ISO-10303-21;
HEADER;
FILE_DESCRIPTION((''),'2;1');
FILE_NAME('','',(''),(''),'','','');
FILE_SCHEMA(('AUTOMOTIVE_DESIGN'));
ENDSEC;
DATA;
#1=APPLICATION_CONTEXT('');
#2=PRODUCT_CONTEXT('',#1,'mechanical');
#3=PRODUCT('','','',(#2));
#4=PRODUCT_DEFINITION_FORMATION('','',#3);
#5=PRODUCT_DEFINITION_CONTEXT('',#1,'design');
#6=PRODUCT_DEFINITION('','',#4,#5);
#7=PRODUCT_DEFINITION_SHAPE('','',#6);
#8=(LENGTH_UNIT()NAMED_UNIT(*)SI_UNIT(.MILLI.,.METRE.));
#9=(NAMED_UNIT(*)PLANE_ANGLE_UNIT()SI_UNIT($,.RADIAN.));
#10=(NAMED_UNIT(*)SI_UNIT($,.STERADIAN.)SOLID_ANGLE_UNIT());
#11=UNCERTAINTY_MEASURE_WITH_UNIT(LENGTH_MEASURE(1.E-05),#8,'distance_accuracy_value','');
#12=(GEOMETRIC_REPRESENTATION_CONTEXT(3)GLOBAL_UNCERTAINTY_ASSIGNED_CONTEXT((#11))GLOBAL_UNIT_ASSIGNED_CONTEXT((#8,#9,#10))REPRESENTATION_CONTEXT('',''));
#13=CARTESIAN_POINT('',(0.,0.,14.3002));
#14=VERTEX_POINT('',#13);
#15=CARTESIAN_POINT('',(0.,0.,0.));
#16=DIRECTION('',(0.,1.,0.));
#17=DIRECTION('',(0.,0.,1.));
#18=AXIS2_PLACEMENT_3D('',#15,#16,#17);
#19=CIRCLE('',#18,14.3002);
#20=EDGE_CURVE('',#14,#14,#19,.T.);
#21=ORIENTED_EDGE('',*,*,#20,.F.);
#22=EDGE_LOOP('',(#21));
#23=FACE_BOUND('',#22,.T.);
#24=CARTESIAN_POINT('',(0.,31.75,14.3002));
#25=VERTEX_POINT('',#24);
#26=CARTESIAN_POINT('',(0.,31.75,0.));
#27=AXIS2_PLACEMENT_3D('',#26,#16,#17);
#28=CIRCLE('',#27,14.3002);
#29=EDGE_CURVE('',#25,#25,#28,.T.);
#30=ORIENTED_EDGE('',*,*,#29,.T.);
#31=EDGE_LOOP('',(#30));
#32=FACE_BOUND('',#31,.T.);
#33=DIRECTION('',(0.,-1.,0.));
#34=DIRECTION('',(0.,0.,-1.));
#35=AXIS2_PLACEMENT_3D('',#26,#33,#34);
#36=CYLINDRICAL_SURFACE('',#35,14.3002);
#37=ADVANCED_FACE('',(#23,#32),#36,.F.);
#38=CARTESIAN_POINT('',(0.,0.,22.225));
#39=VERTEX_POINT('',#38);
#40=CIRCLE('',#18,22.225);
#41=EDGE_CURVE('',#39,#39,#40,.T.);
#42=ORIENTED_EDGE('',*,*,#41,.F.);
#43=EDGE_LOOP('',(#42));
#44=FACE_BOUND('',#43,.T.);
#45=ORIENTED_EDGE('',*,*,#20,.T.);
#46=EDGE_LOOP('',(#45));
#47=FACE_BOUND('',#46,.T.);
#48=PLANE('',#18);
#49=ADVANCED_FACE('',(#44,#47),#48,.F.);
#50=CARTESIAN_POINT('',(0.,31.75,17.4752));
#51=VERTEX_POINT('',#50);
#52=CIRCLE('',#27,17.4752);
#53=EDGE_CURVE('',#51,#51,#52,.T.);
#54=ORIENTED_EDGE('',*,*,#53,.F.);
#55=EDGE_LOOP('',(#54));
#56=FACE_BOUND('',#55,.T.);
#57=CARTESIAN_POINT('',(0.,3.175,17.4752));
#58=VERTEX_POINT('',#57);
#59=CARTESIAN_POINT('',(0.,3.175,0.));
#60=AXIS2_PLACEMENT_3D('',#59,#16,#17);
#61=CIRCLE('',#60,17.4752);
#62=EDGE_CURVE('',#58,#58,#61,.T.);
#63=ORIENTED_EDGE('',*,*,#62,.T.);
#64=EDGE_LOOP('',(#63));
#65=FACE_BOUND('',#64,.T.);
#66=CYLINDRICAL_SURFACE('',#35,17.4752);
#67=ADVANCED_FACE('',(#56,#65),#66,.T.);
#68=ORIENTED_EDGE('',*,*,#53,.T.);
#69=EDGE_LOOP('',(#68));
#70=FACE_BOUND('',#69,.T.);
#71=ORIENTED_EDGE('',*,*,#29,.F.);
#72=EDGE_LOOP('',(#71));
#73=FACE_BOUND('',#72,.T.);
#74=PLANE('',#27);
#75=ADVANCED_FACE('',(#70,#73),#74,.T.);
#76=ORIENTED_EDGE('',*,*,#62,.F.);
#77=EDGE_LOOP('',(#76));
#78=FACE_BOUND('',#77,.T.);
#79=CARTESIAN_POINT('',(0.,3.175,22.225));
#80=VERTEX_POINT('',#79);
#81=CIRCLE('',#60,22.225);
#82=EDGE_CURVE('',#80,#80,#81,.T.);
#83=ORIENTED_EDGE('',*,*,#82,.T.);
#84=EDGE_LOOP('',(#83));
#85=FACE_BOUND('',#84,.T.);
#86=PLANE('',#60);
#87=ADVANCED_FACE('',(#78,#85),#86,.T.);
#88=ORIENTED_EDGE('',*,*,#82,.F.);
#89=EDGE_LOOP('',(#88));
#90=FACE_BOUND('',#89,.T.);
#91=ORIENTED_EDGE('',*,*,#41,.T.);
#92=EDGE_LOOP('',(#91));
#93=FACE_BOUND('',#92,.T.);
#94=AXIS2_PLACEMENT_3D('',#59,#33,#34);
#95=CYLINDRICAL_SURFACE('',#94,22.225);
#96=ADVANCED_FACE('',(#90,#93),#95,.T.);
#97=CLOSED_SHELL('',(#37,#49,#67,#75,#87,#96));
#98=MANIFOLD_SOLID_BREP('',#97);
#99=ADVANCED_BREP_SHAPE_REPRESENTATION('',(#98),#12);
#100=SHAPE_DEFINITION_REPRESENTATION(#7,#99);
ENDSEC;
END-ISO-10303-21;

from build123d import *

# Parameters (mm, degrees)
SKETCH2_R           = 17.4752
SKETCH2_R_2         = 14.3002
BOSS_EXTRUDE1_DEPTH = 31.75
SKETCH3_R           = 22.225
SKETCH3_R_2         = 17.4752
BOSS_EXTRUDE2_DEPTH = 3.175


with BuildPart() as part:
    # Sketch2 → Boss-Extrude1 (new body)
    with BuildSketch(Plane(origin=(0, 0, 0), x_dir=(1, 0, 0), z_dir=(0, 1, 0))):
        with Locations(Location((0, 0, 0), (0, 0, 270))):
            Circle(SKETCH2_R)
        with Locations(Location((0, 0, 0), (0, 0, 270))):
            Circle(SKETCH2_R_2, mode=Mode.SUBTRACT)
    extrude(amount=BOSS_EXTRUDE1_DEPTH)

    # Sketch3 → Boss-Extrude2 (add)
    with BuildSketch(Plane(origin=(0, 0, 0), x_dir=(1, 0, 0), z_dir=(0, 1, 0))):
        with Locations(Location((0, 0, 0), (0, 0, 270))):
            Circle(SKETCH3_R)
        with Locations(Location((0, 0, 0), (0, 0, 270))):
            Circle(SKETCH3_R_2, mode=Mode.SUBTRACT)
    extrude(amount=BOSS_EXTRUDE2_DEPTH)


solid = part.part
